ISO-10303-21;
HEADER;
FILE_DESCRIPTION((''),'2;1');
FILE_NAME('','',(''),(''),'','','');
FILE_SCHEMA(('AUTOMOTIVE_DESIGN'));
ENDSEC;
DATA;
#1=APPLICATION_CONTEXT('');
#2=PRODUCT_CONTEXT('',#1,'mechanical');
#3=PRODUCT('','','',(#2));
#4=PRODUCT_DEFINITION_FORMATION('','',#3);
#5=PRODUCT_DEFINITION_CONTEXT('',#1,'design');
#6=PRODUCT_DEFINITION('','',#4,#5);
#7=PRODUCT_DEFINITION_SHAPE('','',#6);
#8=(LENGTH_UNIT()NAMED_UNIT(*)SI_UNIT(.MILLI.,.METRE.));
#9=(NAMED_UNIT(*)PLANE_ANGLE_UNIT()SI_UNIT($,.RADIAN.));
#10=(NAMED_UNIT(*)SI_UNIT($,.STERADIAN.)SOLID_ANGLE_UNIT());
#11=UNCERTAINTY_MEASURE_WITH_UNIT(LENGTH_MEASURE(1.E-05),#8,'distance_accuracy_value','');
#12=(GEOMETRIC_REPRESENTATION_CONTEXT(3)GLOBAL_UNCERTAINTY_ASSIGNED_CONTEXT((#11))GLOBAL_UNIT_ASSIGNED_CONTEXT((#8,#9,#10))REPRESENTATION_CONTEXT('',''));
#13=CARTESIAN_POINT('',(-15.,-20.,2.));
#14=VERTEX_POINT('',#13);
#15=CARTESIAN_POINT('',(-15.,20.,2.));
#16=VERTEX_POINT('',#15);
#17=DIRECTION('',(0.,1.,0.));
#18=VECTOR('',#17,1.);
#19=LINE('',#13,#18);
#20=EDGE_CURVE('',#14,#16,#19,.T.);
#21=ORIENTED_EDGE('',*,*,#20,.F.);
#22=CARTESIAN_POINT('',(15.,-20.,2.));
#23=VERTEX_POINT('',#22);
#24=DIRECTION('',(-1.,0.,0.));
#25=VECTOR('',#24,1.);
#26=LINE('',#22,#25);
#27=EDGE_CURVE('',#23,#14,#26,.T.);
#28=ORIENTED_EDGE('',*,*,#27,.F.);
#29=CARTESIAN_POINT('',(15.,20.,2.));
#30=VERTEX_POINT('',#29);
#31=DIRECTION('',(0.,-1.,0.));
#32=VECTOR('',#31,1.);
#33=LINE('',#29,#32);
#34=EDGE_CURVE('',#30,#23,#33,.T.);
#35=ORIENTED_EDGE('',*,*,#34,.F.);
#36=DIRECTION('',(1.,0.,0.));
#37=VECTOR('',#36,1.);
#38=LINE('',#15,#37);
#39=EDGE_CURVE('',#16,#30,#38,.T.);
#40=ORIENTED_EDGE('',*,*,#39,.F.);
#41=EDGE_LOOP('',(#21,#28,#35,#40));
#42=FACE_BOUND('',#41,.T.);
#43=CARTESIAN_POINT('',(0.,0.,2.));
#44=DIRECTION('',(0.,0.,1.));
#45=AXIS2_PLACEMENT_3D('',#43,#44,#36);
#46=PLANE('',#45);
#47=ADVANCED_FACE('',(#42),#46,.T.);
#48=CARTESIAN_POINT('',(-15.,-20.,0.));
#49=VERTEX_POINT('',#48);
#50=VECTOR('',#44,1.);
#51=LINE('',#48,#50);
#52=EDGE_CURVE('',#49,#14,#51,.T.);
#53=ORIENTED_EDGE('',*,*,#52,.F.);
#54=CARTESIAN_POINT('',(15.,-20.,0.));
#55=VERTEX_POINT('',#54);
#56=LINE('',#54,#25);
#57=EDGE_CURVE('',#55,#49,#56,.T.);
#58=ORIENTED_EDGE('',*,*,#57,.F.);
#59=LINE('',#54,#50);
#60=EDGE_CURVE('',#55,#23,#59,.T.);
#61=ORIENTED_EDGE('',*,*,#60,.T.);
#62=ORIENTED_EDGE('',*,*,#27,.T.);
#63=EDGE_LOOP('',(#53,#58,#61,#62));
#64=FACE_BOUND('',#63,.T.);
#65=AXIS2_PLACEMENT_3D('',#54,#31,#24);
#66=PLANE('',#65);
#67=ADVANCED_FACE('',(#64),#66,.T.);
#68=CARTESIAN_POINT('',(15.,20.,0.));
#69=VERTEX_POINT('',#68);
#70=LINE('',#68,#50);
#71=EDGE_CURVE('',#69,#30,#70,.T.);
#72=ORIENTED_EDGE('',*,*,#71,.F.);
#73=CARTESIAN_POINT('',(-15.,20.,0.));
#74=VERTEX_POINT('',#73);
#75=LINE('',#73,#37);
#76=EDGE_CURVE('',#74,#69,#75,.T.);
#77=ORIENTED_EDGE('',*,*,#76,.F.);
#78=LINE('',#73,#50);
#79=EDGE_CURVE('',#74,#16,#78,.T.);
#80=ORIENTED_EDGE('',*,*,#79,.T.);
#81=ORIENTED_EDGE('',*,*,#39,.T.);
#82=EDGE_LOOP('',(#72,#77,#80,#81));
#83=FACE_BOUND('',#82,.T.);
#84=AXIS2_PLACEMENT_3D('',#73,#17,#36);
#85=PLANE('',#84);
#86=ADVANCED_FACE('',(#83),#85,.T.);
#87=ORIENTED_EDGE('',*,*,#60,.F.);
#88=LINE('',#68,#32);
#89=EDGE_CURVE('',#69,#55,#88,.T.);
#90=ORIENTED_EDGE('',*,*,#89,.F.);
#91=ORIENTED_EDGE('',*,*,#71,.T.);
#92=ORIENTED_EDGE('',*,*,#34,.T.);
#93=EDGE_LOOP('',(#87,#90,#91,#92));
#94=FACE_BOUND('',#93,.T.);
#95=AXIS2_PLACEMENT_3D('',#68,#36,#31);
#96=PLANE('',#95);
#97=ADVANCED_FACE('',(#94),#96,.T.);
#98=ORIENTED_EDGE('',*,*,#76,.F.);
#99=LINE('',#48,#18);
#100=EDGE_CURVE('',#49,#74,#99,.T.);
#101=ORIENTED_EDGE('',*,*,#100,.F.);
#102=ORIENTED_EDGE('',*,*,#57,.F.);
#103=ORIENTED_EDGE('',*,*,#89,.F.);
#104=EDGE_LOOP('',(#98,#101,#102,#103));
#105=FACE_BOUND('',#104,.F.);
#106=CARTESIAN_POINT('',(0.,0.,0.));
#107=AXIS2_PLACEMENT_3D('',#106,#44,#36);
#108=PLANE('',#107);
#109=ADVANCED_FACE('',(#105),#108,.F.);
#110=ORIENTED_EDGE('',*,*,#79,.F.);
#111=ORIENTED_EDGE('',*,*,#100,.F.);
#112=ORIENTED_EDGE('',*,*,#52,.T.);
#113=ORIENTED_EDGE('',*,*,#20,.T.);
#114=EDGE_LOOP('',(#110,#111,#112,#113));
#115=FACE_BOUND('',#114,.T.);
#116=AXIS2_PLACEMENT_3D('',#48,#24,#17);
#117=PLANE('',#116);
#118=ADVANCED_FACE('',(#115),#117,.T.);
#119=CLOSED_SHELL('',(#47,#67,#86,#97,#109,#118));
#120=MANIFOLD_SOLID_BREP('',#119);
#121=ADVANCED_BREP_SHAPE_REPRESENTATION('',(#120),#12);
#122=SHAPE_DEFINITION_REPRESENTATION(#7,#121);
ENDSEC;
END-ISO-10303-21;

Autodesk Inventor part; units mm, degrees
ref_plane "YZ Plane" through (0, 0, 0) normal (1, 0, 0) x (0, 1, 0)
ref_plane "XZ Plane" through (0, 0, 0) normal (0, 1, 0) x (-1, 0, 0)
ref_plane "XY Plane" through (0, 0, 0) normal (0, 0, 1) x (1, 0, 0)
sketch "スケッチ1" plane through (0, 0, 0) normal (0, 0, 1) x (1, 0, 0)
  line L0 (15, -20) -> (-15, -20)
  line L1 (-15, -20) -> (-15, 20)
  line L2 (-15, 20) -> (15, 20)
  line L3 (15, 20) -> (15, -20)
  line L4 (15, -20) -> (-15, 20) construction
  line L5 (-15, -20) -> (15, 20) construction
  point P0 (0, 0)
  dimension "d0" = 30
  dimension "d1" = 40
extrude "押し出し1" add sketch "スケッチ1" along normal blind 2
properties part number "oard"
